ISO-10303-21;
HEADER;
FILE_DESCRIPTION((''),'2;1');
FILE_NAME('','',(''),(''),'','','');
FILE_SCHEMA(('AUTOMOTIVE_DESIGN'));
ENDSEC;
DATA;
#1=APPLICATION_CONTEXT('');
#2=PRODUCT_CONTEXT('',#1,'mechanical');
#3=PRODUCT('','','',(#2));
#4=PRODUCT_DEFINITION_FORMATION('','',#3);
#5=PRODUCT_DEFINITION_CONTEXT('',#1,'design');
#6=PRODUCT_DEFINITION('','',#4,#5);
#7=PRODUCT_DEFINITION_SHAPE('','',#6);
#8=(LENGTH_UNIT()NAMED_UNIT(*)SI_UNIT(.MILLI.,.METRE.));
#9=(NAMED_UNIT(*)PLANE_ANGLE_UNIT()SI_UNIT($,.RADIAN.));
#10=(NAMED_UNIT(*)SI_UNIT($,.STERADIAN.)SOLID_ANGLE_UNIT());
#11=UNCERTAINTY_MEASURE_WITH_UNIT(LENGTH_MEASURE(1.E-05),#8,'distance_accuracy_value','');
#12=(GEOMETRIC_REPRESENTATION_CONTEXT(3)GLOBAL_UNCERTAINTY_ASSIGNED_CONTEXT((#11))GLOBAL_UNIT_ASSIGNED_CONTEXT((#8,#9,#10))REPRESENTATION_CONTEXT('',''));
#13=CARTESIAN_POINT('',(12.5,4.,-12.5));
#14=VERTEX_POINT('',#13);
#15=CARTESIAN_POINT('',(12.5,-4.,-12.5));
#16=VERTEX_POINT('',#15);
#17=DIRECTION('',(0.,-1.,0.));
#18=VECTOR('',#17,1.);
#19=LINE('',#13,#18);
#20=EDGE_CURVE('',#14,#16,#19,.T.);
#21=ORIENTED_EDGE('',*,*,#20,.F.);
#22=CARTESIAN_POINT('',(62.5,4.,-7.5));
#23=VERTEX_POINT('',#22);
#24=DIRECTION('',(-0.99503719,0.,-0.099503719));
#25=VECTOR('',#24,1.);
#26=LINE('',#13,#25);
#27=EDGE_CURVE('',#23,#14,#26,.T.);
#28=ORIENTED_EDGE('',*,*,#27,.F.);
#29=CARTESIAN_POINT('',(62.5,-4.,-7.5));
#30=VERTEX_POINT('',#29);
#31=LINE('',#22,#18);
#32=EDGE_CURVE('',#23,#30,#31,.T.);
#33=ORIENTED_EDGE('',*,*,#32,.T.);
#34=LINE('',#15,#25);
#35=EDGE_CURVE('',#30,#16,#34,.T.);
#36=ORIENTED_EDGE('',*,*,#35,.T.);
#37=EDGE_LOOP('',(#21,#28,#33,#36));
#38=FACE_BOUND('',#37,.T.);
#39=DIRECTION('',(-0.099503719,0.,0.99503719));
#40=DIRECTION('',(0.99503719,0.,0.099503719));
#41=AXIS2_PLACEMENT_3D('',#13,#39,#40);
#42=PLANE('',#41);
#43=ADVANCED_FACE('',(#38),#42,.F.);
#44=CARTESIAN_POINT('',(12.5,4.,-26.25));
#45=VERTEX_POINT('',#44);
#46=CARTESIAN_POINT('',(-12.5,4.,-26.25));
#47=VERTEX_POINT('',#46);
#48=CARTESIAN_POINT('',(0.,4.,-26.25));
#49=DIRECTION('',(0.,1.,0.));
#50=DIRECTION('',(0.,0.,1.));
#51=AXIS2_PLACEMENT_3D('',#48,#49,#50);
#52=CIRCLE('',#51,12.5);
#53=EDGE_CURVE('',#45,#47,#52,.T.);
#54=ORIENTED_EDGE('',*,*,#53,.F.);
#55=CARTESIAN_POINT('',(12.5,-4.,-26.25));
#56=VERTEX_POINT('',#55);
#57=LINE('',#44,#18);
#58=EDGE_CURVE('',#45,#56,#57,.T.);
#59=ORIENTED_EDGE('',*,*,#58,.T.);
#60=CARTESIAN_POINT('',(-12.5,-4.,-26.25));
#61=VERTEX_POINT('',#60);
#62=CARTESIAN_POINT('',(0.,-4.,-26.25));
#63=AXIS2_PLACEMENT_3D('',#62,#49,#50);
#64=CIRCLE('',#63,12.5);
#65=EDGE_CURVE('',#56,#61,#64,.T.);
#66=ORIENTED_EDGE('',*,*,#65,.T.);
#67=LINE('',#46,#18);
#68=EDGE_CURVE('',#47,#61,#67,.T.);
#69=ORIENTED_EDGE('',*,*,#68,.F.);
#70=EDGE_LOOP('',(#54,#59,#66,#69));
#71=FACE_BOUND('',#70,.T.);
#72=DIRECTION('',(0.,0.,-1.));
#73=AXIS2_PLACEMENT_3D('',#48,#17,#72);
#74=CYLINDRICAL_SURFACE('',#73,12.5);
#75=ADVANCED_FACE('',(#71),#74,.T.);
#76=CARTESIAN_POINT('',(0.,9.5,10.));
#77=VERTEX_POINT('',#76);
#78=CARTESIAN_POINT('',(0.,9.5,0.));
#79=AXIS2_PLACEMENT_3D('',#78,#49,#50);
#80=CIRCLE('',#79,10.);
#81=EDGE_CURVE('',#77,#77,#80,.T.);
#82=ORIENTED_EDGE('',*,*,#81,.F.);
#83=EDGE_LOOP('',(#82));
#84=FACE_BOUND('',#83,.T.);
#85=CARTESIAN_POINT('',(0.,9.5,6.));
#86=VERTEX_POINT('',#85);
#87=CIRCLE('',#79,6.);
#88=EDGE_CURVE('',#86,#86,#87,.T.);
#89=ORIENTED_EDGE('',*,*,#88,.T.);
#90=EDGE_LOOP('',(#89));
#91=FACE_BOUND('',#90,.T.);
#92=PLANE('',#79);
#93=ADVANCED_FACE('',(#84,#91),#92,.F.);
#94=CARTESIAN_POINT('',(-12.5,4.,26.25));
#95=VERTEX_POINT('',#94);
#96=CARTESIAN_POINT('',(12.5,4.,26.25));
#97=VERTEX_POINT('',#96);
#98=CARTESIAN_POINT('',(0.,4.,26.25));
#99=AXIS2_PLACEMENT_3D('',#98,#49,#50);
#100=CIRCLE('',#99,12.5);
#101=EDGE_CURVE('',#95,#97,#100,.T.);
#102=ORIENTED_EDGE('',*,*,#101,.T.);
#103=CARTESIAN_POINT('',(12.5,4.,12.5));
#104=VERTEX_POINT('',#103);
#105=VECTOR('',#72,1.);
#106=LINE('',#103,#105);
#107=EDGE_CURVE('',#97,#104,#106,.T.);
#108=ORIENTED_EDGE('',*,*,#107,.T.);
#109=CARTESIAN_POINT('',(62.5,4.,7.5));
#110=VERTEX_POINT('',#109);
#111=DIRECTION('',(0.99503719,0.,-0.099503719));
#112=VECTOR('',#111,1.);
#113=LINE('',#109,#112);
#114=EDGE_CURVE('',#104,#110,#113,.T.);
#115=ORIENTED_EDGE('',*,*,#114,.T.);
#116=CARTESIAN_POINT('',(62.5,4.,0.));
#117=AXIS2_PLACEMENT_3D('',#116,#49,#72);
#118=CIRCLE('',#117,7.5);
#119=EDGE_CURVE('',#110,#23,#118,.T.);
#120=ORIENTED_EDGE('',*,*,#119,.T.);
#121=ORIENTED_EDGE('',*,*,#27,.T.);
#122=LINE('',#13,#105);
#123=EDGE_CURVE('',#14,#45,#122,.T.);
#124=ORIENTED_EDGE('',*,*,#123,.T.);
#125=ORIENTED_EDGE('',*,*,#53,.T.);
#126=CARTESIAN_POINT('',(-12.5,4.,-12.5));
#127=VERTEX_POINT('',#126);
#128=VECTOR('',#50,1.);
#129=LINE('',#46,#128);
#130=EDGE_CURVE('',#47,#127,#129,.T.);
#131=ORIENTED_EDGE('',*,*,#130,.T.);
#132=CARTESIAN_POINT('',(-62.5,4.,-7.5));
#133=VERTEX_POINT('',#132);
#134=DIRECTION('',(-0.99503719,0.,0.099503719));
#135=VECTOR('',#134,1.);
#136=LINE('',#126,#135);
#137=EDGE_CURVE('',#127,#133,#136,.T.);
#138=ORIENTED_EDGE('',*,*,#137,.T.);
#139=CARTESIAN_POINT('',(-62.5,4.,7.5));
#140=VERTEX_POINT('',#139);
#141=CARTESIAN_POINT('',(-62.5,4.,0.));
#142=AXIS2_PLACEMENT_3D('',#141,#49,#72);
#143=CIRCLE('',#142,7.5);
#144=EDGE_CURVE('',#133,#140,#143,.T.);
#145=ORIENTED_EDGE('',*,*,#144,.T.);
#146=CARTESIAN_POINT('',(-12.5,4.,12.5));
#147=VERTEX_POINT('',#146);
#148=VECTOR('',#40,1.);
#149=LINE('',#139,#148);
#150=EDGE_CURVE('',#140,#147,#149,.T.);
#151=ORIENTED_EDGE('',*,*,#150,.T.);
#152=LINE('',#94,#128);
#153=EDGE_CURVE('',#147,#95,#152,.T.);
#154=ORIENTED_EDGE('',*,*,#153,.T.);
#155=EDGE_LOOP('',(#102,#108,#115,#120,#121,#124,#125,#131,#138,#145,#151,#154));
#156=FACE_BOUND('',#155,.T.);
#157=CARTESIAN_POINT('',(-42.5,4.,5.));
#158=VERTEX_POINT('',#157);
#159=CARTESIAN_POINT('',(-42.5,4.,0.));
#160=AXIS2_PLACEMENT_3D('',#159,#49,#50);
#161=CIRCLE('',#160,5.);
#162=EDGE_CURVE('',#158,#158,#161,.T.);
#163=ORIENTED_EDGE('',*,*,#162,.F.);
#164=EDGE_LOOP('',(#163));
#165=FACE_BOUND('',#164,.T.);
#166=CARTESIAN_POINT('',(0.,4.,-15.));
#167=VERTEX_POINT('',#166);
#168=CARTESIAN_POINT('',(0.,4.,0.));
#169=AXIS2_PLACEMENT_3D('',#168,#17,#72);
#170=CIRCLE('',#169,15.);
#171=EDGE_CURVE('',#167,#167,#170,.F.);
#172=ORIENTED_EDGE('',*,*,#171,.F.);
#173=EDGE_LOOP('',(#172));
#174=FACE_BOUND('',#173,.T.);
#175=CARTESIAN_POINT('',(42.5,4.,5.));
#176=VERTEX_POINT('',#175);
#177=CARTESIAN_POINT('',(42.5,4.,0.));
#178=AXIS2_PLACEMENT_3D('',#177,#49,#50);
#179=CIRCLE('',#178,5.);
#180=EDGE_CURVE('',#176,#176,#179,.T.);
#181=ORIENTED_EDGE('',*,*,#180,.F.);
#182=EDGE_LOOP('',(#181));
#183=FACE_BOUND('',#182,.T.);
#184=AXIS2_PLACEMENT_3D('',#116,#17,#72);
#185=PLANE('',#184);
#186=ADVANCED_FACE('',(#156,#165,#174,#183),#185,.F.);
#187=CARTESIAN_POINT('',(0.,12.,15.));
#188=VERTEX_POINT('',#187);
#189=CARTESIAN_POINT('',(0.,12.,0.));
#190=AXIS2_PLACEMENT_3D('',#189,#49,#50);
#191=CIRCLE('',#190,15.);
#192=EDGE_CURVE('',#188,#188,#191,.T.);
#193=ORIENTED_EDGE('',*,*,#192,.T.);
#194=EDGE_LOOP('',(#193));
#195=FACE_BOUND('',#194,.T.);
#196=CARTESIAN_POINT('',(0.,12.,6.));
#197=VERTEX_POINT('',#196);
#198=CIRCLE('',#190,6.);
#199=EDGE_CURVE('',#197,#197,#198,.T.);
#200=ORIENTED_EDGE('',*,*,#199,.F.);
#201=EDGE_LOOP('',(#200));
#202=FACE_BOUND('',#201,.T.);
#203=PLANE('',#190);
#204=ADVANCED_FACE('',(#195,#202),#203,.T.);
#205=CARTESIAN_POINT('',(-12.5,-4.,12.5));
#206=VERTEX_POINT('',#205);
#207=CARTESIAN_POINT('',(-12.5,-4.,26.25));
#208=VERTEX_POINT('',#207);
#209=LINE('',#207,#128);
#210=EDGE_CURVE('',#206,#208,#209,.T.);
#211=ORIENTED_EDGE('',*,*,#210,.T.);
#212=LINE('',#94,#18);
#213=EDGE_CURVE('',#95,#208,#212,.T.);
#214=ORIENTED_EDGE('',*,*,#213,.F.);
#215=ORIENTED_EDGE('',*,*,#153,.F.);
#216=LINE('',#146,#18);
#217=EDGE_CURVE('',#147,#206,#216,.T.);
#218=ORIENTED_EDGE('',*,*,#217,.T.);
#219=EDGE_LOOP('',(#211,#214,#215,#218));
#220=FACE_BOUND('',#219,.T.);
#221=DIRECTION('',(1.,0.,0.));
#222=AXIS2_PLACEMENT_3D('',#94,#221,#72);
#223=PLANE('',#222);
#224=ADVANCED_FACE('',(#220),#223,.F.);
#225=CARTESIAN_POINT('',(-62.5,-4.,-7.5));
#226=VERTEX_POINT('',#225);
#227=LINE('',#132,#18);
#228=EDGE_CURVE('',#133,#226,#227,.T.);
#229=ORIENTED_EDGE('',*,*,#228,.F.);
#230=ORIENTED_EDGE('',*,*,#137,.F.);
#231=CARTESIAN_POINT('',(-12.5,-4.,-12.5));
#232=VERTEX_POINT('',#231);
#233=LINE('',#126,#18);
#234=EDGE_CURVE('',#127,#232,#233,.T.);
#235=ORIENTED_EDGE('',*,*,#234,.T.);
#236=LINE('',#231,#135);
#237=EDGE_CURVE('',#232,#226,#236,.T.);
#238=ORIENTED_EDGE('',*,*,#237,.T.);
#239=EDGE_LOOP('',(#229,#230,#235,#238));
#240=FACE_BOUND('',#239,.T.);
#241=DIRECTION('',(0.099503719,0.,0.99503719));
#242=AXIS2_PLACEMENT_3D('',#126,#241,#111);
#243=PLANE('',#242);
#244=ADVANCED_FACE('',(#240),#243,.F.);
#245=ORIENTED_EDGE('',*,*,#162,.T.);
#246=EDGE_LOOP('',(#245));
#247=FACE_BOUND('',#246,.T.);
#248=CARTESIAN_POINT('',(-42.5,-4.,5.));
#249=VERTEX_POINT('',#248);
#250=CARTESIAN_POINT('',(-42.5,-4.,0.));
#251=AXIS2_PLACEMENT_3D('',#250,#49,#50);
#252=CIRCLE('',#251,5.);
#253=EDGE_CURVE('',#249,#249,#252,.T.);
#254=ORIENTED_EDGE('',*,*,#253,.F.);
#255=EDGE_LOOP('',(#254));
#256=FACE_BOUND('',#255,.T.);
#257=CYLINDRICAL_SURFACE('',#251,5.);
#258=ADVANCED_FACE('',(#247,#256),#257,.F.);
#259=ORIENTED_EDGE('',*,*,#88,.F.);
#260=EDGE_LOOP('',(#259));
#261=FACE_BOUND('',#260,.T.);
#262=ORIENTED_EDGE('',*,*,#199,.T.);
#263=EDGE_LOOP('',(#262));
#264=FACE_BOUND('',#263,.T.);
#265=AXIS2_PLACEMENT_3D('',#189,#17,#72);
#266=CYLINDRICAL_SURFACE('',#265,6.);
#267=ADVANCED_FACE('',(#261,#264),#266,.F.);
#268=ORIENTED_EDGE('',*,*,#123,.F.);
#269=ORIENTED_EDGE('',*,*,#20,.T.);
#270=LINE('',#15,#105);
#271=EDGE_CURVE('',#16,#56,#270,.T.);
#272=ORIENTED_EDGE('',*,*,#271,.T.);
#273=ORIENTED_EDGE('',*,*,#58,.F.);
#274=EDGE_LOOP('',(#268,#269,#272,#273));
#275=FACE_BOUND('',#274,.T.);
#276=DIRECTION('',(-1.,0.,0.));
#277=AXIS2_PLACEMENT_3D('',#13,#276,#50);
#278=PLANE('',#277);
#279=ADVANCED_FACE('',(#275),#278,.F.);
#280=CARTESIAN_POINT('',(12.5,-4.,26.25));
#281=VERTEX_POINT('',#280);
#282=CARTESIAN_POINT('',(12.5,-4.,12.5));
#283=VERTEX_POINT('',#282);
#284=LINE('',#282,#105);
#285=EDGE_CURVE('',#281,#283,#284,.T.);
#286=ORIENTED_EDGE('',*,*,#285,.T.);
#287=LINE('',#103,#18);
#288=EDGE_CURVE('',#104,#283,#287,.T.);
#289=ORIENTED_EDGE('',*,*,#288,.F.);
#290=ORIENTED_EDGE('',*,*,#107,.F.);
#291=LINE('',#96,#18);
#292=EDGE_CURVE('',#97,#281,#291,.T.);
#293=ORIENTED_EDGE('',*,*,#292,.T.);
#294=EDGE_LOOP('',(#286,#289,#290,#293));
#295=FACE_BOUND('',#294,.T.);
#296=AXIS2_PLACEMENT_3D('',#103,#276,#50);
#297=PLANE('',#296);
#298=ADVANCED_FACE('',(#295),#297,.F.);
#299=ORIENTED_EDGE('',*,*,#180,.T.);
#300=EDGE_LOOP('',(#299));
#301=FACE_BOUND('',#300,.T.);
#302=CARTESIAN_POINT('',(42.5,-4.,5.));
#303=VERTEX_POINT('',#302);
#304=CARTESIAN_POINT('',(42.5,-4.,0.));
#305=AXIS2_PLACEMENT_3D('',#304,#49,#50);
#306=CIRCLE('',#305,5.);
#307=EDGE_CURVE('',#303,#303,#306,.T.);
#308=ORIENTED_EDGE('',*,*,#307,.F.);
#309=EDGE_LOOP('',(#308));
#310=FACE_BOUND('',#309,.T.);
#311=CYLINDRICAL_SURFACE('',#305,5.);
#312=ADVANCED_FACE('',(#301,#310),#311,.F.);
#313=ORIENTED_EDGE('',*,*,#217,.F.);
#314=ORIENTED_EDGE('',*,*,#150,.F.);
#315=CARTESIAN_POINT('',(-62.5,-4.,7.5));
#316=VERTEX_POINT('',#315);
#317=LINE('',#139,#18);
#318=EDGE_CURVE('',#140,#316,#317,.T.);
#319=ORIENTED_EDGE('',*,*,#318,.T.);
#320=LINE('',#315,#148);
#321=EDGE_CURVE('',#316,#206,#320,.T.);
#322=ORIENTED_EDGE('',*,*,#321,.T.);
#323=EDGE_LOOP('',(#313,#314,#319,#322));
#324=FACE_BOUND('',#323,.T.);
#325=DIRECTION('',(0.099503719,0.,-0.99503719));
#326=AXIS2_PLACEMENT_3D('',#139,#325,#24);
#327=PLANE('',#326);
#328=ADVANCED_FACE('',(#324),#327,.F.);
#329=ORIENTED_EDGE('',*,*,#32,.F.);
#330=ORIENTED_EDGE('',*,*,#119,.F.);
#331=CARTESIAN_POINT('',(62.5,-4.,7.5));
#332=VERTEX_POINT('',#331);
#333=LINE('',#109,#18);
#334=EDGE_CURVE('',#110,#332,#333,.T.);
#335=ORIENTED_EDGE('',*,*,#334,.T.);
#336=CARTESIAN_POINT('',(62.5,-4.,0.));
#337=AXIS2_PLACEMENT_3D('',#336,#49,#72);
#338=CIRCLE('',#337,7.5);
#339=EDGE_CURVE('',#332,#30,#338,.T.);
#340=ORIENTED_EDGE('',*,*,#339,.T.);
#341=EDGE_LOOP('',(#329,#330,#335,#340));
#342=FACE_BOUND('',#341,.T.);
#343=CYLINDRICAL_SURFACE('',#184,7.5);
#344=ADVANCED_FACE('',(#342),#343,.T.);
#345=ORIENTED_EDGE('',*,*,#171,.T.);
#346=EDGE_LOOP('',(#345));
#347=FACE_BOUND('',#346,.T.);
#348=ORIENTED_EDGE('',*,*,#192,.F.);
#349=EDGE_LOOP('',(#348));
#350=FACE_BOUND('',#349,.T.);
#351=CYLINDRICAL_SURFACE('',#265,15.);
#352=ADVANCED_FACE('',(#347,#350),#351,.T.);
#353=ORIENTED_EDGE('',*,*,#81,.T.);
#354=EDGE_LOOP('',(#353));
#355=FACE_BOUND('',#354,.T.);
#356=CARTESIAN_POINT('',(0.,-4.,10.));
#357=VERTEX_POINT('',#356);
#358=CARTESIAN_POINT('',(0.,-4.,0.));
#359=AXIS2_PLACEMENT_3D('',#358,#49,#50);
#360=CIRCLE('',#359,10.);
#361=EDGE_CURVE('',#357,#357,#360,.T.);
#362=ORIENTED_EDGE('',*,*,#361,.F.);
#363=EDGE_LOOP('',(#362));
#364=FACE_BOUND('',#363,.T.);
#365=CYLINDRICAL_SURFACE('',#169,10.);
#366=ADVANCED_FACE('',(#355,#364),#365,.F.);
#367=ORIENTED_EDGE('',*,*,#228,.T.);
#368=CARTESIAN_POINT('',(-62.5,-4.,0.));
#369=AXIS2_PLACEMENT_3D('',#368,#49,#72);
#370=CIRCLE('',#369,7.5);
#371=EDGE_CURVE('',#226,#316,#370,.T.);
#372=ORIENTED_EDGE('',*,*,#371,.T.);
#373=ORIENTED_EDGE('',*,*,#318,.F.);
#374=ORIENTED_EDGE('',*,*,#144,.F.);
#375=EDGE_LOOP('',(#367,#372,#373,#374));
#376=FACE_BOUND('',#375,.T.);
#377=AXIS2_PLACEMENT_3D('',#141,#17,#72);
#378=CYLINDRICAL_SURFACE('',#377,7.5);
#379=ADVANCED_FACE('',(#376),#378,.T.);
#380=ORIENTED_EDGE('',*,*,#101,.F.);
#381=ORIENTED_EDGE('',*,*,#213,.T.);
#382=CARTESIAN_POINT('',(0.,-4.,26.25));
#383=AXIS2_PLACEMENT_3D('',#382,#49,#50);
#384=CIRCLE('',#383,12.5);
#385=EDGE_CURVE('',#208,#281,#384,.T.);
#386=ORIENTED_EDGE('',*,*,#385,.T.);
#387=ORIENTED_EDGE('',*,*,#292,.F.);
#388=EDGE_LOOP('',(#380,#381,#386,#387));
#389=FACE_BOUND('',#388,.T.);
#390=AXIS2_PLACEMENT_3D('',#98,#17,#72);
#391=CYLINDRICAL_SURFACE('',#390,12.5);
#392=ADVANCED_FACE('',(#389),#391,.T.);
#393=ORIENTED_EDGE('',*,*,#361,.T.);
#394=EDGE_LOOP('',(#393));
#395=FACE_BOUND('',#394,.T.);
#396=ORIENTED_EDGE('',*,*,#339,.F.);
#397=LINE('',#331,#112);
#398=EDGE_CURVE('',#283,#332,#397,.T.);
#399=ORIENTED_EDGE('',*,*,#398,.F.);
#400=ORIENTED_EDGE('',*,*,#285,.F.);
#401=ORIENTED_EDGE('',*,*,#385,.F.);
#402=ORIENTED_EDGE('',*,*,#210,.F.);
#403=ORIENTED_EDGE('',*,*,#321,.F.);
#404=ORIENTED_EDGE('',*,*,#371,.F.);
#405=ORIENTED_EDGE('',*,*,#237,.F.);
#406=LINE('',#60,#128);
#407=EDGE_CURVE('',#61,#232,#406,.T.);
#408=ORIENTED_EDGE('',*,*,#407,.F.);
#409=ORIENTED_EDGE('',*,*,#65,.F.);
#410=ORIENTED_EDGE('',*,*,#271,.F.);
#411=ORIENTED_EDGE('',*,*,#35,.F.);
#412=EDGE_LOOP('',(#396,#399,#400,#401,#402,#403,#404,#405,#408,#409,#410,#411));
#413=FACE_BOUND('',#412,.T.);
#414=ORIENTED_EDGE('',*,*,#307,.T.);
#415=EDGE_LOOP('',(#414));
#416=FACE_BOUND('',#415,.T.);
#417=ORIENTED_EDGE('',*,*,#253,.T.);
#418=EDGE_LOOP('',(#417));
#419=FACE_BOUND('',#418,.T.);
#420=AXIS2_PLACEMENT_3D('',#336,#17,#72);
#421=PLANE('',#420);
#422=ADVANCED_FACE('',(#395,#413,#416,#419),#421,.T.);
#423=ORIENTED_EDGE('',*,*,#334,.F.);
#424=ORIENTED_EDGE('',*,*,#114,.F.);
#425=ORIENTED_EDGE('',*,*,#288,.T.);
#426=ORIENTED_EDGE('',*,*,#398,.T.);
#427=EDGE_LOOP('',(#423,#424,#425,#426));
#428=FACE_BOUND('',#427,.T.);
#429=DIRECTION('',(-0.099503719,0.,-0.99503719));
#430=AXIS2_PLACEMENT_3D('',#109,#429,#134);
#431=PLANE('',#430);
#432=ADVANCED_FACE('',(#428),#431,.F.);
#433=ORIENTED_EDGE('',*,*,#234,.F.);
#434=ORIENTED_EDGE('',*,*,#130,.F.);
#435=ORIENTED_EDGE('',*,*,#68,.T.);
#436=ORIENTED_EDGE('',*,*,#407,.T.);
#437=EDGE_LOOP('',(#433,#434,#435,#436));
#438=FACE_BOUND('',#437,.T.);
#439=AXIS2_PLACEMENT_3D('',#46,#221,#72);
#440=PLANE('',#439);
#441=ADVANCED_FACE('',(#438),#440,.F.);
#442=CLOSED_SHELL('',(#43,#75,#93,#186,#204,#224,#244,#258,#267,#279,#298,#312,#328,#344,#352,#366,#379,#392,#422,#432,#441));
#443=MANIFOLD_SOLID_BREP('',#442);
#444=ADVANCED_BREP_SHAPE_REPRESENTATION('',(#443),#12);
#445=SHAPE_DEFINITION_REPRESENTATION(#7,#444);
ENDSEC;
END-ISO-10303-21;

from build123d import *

# Parameters (mm, degrees)
SKETCH1_R           = 10
BOSS_EXTRUDE1_DEPTH = 4
SKETCH2_R           = 15
SKETCH2_R_2         = 10
BOSS_EXTRUDE2_DEPTH = 8
SKETCH3_R           = 5
CUT_EXTRUDE1_DEPTH  = 9
BOSS_EXTRUDE3_START = 9.5
SKETCH4_R           = 10
SKETCH4_R_2         = 6
BOSS_EXTRUDE3_DEPTH = 2.5


with BuildPart() as part:
    # Sketch1 → Boss-Extrude1 (new body, symmetric)
    with BuildSketch(Plane(origin=(0, 0, 0), x_dir=(1, 0, 0), z_dir=(0, 1, 0))):
        with BuildLine():
            Line((12.5, 12.5), (12.5, 26.25))
            ThreePointArc((12.5, 26.25), (0, 38.75), (-12.5, 26.25))
            Line((-12.5, 26.25), (-12.5, 12.5))
            Line((-12.5, 12.5), (-62.5, 7.5))
            ThreePointArc((-62.5, 7.5), (-70, 0), (-62.5, -7.5))
            Line((-62.5, -7.5), (-12.5, -12.5))
            Line((-12.5, -12.5), (-12.5, -26.25))
            ThreePointArc((-12.5, -26.25), (0, -38.75), (12.5, -26.25))
            Line((12.5, -26.25), (12.5, -12.5))
            Line((12.5, -12.5), (62.5, -7.5))
            ThreePointArc((62.5, -7.5), (70, 0), (62.5, 7.5))
            Line((62.5, 7.5), (12.5, 12.5))
        make_face()
        Circle(SKETCH1_R, mode=Mode.SUBTRACT)
    extrude(amount=BOSS_EXTRUDE1_DEPTH, both=True)

    # Sketch2 → Boss-Extrude2 (add)
    with BuildSketch(Plane(origin=(0, 4, 0), x_dir=(1, 0, 0), z_dir=(0, 1, 0))):
        Circle(SKETCH2_R)
        Circle(SKETCH2_R_2, mode=Mode.SUBTRACT)
    extrude(amount=BOSS_EXTRUDE2_DEPTH)

    # Sketch3 → Cut-Extrude1 (cut, through all)
    with BuildSketch(Plane(origin=(0, 4, 0), x_dir=(1, 0, 0), z_dir=(0, 1, 0))):
        with Locations((42.5, 0)):
            Circle(SKETCH3_R)
        with Locations((-42.5, 0)):
            Circle(SKETCH3_R)
    extrude(amount=-CUT_EXTRUDE1_DEPTH, mode=Mode.SUBTRACT)

    # Sketch4 → Boss-Extrude3 (add)
    with BuildSketch(Plane(origin=(0, 0, 0), x_dir=(1, 0, 0), z_dir=(0, 1, 0)).offset(BOSS_EXTRUDE3_START)):
        Circle(SKETCH4_R)
        Circle(SKETCH4_R_2, mode=Mode.SUBTRACT)
    extrude(amount=BOSS_EXTRUDE3_DEPTH)


solid = part.part
